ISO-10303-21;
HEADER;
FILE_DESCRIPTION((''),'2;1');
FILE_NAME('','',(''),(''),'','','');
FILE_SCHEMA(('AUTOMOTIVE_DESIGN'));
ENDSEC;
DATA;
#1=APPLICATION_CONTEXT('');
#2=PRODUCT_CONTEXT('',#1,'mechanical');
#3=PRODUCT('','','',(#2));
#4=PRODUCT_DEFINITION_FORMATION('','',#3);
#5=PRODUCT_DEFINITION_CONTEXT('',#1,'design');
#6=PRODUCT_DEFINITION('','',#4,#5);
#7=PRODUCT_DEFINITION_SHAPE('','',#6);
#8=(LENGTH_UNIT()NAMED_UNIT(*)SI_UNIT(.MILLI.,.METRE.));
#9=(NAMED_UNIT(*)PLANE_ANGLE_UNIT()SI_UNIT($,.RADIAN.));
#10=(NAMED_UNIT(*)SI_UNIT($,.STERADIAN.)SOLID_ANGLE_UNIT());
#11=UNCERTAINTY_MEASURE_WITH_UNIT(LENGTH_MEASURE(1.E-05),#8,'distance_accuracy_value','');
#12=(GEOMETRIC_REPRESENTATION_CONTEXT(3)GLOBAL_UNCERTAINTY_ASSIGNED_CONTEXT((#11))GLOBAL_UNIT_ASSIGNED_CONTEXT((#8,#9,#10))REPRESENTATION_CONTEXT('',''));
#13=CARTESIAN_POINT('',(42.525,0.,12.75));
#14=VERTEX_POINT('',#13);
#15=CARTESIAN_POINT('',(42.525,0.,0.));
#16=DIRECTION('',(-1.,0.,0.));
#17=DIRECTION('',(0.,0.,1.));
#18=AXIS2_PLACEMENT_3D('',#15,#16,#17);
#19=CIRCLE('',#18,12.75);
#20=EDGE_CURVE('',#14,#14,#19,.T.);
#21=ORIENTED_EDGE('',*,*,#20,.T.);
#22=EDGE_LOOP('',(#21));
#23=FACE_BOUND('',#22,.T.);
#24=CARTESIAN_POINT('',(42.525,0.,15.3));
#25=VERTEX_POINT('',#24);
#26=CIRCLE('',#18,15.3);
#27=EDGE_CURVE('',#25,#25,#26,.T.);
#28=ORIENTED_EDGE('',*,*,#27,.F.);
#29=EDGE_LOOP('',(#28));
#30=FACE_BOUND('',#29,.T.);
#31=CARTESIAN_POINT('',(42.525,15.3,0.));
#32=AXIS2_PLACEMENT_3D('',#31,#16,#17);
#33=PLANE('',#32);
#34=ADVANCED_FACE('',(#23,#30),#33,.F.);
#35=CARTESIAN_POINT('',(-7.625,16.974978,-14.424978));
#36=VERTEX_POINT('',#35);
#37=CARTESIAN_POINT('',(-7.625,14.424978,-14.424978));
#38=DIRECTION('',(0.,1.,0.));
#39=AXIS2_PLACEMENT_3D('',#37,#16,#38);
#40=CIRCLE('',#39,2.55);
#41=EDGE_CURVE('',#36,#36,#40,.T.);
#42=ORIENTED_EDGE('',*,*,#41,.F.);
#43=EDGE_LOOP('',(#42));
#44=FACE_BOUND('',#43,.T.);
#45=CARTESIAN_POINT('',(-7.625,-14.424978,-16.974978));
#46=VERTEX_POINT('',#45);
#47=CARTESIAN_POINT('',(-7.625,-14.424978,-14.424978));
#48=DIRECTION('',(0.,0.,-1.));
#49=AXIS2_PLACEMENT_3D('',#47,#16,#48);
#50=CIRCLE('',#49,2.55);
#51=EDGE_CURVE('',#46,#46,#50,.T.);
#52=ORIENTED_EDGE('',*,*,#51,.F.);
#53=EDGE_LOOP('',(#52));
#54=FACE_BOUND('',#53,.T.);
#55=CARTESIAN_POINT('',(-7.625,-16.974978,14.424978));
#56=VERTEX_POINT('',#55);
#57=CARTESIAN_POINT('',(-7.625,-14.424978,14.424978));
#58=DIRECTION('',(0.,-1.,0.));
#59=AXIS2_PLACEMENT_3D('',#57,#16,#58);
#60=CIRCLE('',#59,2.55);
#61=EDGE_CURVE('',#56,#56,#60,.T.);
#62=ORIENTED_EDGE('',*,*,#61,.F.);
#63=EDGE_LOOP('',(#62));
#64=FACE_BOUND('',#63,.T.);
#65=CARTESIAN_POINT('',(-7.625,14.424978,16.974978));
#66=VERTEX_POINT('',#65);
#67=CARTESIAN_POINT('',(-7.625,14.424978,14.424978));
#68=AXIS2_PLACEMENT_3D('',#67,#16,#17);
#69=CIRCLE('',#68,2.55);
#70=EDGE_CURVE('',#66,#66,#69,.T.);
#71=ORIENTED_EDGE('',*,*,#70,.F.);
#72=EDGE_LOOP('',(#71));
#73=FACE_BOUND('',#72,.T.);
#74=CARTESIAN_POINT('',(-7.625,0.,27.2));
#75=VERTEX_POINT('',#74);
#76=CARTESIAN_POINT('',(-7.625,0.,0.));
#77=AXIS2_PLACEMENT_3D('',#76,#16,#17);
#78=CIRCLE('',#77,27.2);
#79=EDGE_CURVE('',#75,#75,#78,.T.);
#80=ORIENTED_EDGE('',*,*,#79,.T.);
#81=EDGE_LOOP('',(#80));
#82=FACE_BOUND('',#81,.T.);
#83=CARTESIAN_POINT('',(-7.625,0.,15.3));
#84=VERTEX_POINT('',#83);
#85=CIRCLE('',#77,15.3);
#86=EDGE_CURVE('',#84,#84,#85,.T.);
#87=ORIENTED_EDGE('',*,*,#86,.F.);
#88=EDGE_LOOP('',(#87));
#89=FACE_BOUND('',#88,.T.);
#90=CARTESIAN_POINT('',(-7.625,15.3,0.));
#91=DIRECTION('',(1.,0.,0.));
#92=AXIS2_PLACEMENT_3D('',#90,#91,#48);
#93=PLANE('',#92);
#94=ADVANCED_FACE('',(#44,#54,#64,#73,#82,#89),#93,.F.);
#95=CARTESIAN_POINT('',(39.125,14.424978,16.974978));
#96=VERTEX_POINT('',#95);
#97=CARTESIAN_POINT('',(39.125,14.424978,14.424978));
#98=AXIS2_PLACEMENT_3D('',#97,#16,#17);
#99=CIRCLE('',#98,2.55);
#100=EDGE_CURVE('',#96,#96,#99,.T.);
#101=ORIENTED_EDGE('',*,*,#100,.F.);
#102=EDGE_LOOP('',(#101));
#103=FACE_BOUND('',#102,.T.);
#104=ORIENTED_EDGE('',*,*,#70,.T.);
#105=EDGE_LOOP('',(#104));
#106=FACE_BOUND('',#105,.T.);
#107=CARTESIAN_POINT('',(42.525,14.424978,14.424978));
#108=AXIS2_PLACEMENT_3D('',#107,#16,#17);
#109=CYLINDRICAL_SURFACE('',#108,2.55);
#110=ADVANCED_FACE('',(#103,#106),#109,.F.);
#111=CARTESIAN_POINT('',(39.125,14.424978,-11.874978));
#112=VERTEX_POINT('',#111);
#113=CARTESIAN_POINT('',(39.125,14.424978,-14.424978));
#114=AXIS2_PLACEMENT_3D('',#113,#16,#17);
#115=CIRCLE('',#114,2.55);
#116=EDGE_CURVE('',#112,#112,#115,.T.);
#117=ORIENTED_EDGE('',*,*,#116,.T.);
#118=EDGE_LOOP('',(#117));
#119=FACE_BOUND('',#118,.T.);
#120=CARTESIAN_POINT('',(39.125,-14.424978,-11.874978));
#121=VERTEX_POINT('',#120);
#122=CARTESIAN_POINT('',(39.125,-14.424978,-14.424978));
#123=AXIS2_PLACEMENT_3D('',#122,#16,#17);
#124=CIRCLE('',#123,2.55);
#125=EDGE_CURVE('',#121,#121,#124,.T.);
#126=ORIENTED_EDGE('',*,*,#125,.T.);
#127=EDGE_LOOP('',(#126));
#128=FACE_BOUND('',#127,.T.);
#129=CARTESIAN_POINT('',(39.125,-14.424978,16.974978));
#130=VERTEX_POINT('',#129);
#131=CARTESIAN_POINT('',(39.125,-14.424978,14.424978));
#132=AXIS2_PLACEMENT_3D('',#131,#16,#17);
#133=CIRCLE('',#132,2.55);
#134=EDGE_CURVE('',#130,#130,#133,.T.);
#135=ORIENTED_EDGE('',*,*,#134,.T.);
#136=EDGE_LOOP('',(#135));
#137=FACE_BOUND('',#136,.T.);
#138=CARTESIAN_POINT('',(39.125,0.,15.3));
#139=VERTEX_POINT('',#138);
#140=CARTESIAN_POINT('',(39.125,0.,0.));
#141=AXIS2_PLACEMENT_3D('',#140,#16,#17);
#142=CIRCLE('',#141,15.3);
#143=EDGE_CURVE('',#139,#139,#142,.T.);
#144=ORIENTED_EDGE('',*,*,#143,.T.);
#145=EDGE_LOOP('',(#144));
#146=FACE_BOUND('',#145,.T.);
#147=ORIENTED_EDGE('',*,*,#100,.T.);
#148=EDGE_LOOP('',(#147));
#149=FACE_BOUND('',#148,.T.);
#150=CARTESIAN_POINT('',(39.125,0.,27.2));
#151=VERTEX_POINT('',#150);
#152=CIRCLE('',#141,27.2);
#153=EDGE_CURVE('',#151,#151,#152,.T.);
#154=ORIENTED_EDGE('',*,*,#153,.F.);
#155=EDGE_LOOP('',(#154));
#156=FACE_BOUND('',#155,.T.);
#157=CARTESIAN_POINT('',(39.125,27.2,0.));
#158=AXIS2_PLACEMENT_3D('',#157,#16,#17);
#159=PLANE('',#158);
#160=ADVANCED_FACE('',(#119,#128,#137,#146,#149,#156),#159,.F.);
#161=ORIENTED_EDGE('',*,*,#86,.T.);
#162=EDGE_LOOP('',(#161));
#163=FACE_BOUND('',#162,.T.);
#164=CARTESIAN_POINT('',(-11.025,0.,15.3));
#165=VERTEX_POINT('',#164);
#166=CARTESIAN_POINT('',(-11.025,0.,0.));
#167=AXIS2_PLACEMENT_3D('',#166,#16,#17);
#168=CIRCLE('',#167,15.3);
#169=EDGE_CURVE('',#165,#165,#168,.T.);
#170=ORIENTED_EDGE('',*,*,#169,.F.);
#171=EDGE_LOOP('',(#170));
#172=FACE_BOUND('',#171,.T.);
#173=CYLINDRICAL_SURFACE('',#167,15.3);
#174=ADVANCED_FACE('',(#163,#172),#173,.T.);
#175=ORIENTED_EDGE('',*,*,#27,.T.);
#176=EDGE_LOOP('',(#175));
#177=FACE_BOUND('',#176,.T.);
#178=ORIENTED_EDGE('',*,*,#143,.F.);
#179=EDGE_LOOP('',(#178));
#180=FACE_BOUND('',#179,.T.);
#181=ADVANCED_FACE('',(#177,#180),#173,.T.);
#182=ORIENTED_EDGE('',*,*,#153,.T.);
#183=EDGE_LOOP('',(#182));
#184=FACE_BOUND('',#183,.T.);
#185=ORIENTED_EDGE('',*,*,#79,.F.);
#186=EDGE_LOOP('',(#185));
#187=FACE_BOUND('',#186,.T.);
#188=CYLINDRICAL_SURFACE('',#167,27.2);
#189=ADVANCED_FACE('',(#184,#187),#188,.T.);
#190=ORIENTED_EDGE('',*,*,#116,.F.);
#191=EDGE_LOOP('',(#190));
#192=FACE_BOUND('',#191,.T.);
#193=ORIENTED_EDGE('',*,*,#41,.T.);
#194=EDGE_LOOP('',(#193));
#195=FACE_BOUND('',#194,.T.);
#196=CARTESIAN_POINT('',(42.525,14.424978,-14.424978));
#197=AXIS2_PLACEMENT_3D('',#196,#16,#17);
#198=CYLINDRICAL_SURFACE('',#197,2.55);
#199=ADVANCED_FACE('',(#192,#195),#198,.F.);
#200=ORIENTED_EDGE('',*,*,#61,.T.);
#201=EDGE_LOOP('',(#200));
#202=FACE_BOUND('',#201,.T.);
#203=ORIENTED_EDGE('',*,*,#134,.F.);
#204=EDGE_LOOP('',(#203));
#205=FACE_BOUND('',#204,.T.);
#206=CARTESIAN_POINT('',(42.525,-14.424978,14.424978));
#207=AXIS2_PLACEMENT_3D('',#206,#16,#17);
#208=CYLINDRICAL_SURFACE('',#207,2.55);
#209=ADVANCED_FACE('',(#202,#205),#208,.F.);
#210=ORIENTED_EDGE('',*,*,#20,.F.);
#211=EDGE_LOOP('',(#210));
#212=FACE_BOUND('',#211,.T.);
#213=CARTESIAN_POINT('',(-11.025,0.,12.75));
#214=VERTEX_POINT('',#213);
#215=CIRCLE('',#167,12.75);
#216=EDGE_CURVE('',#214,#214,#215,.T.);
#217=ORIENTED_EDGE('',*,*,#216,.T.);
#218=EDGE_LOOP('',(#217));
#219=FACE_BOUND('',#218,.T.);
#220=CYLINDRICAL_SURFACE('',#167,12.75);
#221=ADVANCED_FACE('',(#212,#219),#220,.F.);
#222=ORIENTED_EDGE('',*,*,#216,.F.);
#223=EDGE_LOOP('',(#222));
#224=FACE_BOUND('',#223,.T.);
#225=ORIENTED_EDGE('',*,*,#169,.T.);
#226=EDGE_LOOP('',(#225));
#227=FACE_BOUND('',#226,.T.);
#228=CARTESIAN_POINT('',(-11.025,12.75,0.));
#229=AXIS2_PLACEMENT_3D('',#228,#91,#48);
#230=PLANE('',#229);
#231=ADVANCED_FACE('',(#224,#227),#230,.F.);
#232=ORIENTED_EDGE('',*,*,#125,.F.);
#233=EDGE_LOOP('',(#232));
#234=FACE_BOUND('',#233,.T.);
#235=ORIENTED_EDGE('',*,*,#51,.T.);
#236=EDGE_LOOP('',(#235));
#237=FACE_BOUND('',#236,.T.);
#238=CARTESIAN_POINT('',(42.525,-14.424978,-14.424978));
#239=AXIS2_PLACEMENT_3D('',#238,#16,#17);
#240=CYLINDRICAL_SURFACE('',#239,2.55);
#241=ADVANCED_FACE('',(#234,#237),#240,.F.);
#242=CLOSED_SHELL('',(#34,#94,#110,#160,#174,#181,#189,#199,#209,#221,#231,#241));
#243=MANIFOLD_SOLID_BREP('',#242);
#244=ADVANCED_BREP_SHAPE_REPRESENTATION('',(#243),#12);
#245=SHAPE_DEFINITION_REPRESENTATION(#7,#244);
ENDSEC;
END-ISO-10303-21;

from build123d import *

# Parameters (mm, degrees)
SKETCH2_R          = 1.5
CUT_EXTRUDE1_DEPTH = 30.5
CIRPATTERN1_COUNT  = 4
SCALE1_SCALE       = 1.7


with BuildPart() as part:
    # Sketch1 → Revolve1 (revolve)
    with BuildSketch(Plane.XY):
        Polygon((0, 7.5), (0, 9), (2, 9), (2, 16), (29.5, 16), (29.5, 9), (31.5, 9), (31.5, 7.5), align=None)
    revolve(axis=Axis((0, 0, 0), (1, 0, 0)))

    # Sketch2 → Cut-Extrude1 (cut, through all)
    with BuildSketch(Plane.ZY.offset(-2)):
        with Locations((8.485281374, 8.485281374)):
            Circle(SKETCH2_R)
    cut_extrude1 = extrude(amount=-CUT_EXTRUDE1_DEPTH, mode=Mode.SUBTRACT)

    # CirPattern1: Cut-Extrude1 ×4 about axis
    cirpattern1_axis = Axis((0, 0, 0), (1, 0, 0))
    for i in range(1, CIRPATTERN1_COUNT):
        add(cut_extrude1.rotate(cirpattern1_axis, i * 360 / CIRPATTERN1_COUNT), mode=Mode.SUBTRACT)


with BuildPart() as part_1:
    # Scale1: scaled about (15.75, 0, 0)
    add(part.part.scale(SCALE1_SCALE).moved(Location((-11.025, 0, 0))))


solid = part_1.part
